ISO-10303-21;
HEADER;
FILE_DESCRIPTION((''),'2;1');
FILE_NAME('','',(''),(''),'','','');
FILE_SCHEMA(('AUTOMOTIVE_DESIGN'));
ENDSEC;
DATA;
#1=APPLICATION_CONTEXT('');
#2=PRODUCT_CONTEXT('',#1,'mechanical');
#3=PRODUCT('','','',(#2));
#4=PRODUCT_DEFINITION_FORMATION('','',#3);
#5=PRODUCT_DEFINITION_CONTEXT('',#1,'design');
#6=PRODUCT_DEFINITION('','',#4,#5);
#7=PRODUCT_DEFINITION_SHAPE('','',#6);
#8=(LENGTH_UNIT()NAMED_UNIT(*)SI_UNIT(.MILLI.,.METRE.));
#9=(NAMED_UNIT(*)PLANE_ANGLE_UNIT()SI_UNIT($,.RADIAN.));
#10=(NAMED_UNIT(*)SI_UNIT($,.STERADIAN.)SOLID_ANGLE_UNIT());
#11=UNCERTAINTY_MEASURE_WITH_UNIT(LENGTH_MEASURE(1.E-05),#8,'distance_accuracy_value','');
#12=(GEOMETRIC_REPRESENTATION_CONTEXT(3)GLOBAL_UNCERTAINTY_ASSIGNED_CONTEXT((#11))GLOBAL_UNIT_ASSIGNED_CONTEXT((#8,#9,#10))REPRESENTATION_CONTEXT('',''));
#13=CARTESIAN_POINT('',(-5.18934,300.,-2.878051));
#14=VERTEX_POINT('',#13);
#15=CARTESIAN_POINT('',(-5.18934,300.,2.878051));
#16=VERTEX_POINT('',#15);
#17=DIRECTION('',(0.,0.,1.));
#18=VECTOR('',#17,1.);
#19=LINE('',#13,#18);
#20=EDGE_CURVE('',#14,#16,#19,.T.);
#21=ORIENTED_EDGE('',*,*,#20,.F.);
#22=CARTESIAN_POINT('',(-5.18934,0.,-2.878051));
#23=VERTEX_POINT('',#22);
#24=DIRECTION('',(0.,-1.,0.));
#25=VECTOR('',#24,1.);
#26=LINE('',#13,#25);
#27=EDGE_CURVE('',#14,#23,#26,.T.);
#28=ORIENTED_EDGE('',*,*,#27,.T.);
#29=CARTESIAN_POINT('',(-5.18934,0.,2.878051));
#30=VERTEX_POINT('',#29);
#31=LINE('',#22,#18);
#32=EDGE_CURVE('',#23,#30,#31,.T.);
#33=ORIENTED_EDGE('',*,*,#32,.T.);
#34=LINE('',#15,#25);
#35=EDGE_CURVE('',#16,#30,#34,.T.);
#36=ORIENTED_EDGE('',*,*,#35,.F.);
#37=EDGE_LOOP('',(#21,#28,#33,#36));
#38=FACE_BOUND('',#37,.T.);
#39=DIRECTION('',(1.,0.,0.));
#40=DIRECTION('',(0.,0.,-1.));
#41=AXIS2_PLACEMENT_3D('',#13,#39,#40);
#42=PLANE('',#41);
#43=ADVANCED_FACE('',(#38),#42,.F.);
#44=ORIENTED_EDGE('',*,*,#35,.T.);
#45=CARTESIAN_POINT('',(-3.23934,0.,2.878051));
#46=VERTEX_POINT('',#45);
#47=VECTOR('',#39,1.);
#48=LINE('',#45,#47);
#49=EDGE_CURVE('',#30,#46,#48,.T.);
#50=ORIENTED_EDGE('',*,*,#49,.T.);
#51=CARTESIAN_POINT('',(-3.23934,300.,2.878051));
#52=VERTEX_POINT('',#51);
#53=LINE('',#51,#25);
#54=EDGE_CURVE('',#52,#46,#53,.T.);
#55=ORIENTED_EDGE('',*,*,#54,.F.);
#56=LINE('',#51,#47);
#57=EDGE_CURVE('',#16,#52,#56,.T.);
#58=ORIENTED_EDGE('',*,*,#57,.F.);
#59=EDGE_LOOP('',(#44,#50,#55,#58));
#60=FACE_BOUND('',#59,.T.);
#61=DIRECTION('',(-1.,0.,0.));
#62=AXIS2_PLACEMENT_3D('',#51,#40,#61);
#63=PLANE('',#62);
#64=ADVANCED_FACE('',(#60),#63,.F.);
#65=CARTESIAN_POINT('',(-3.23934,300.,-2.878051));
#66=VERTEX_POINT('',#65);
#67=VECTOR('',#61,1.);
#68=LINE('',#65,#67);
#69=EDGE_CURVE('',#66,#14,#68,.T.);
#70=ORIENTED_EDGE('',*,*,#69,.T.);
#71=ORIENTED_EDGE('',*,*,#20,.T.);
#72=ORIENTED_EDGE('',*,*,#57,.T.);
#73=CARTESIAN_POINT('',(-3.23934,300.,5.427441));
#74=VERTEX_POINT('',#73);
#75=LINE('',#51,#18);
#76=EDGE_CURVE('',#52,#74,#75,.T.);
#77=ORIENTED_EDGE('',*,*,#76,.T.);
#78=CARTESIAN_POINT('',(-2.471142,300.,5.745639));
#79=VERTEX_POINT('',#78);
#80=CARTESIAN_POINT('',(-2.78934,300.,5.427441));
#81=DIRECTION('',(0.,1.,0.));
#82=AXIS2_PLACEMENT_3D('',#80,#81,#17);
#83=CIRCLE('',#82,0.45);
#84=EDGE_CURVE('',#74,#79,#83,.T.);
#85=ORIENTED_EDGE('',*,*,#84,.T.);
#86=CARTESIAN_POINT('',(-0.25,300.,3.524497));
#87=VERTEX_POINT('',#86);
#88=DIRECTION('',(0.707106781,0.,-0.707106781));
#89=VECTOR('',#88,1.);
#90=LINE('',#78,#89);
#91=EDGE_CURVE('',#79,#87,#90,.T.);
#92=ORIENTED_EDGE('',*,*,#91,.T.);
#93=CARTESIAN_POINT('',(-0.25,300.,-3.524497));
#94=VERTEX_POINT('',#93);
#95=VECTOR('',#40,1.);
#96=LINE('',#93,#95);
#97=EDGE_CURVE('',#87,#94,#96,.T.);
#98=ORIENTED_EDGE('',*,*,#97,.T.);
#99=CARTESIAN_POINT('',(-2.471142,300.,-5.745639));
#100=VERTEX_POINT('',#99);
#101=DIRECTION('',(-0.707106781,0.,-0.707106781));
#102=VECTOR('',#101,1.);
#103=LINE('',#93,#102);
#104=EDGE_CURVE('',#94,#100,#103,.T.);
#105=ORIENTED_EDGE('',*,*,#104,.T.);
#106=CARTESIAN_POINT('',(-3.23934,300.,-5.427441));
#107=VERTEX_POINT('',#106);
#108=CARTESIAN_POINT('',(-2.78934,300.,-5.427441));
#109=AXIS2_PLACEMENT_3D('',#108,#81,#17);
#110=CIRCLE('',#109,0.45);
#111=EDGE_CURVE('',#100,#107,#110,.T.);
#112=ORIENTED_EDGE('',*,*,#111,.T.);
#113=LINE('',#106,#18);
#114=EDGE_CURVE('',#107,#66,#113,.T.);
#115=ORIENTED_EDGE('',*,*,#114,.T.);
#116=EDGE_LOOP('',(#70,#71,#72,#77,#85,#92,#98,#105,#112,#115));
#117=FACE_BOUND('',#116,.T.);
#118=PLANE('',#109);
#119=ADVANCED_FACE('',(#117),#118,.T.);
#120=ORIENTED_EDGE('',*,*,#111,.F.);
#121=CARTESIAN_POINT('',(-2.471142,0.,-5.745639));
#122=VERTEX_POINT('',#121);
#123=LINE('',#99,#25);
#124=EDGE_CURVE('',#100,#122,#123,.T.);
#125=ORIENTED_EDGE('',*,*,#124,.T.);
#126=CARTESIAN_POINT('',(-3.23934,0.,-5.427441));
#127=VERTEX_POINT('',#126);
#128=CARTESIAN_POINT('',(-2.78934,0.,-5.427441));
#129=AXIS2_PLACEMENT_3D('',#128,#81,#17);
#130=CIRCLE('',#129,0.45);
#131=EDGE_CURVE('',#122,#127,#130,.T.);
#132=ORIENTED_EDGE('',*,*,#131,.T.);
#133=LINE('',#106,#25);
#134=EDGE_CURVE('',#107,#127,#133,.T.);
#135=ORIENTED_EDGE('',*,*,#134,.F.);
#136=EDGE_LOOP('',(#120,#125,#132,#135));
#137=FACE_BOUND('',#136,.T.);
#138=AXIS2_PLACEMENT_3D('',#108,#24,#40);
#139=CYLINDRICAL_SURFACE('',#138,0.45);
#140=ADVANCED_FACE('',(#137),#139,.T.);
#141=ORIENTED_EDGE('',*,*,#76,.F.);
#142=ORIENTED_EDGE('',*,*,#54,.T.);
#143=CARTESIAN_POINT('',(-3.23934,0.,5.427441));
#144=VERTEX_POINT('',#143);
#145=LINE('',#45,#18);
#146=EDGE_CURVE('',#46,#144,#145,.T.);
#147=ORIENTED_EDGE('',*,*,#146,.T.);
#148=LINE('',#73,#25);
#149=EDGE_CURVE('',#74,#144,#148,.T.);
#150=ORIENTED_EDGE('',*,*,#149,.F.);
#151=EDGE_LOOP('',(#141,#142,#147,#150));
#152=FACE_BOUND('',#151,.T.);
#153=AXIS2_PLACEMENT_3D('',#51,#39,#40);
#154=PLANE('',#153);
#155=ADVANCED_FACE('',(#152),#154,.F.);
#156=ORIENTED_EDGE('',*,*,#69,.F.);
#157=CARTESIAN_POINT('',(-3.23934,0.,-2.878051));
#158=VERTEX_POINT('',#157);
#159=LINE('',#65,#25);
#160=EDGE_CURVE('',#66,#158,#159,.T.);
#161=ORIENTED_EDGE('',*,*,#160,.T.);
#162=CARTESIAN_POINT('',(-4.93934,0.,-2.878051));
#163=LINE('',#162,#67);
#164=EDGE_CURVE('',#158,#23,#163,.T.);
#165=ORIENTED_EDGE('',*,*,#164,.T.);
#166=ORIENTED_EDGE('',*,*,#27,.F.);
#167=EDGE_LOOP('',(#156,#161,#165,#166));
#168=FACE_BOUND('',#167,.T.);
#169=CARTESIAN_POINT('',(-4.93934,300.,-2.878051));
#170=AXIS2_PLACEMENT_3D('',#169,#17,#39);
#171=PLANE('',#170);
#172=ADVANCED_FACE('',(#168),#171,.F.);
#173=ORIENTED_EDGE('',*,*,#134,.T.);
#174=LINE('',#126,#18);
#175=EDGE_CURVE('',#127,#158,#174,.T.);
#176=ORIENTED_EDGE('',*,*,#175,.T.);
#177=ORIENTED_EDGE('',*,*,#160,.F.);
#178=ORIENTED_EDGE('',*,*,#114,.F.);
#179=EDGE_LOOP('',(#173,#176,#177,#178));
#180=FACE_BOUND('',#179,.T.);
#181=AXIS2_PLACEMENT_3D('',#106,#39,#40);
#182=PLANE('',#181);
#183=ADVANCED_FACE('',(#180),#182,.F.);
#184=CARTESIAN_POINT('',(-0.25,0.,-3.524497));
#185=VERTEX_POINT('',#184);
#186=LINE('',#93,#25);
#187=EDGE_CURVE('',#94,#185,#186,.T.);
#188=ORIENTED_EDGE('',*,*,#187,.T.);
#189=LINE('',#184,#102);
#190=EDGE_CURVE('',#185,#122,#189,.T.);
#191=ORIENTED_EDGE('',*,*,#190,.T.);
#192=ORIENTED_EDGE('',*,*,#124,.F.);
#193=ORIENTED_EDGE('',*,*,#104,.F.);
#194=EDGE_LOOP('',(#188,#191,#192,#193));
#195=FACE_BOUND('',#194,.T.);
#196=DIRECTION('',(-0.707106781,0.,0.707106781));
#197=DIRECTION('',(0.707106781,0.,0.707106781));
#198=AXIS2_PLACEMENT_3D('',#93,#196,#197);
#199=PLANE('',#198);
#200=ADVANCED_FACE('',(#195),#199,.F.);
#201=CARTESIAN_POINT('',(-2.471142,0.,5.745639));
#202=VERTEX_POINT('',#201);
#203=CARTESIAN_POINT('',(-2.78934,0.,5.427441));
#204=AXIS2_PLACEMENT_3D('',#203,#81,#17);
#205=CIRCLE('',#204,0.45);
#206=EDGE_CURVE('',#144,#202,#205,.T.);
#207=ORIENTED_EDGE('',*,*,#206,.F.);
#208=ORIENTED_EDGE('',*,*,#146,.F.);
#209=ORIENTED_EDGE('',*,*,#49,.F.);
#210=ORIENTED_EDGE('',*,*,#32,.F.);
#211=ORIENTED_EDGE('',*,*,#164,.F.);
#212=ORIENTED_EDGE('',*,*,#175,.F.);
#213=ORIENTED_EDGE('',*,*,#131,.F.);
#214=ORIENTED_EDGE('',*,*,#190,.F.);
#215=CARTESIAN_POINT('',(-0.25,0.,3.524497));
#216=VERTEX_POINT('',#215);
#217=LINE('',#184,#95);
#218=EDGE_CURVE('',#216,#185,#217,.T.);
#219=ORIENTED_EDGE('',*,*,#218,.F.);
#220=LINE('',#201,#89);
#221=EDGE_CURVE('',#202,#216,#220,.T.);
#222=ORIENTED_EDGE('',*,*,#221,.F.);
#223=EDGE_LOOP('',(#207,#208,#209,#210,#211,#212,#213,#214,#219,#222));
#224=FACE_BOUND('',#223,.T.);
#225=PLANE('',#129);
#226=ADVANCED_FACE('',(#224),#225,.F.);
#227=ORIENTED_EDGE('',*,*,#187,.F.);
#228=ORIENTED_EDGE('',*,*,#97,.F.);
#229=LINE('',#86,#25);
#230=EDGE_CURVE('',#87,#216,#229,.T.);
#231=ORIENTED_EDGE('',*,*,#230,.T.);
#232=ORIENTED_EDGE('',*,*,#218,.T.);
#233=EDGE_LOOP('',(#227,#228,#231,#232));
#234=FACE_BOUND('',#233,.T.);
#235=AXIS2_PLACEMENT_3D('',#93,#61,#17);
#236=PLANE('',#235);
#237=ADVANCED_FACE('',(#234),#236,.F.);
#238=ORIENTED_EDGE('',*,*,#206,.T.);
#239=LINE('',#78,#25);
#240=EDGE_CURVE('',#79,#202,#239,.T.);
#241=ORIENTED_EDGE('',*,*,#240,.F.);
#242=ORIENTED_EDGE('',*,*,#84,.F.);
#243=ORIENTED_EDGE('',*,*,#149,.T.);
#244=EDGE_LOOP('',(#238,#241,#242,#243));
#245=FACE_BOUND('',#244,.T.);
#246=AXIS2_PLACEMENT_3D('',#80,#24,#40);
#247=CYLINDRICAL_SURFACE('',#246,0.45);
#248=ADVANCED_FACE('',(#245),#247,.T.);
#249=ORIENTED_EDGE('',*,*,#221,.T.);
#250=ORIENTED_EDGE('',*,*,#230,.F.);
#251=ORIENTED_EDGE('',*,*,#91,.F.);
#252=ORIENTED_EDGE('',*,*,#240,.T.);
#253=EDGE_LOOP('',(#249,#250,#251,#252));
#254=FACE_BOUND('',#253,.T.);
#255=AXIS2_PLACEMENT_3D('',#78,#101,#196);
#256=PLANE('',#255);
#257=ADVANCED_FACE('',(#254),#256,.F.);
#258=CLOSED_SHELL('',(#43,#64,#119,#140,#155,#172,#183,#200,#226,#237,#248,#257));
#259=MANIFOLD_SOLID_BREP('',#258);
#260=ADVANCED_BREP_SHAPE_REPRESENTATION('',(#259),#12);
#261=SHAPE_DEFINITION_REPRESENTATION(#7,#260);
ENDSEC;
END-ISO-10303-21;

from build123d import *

# Parameters (mm, degrees)
BOSS_EXTRUDE1_DEPTH = 300


with BuildPart() as part:
    # Sketch1 → Boss-Extrude1 (new body)
    with BuildSketch(Plane(origin=(0, 0, 0), x_dir=(1, 0, 0), z_dir=(0, 1, 0))):
        with BuildLine():
            Line((-3.239339866, -2.878050905), (-3.239339866, -5.427441221))
            ThreePointArc((-3.239339866, -5.427441221), (-2.961547411, -5.843187011), (-2.471141815, -5.745639273))
            Line((-2.471141815, -5.745639273), (-0.25, -3.524497458))
            Line((-0.25, -3.524497458), (-0.25, 3.524497458))
            Line((-0.25, 3.524497458), (-2.471141814, 5.745639272))
            ThreePointArc((-2.471141814, 5.745639272), (-2.961547408, 5.84318701), (-3.239339864, 5.427441222))
            Line((-3.239339864, 5.427441222), (-3.239339864, 2.878050849))
            Line((-3.239339864, 2.878050849), (-4.939339838, 2.878050849))
            Line((-4.939339838, 2.878050849), (-5.189339838, 2.878050849))
            Line((-5.189339838, 2.878050849), (-5.189339838, -2.878050905))
            Line((-5.189339838, -2.878050905), (-3.239339866, -2.878050905))
        make_face()
    extrude(amount=BOSS_EXTRUDE1_DEPTH)


solid = part.part
